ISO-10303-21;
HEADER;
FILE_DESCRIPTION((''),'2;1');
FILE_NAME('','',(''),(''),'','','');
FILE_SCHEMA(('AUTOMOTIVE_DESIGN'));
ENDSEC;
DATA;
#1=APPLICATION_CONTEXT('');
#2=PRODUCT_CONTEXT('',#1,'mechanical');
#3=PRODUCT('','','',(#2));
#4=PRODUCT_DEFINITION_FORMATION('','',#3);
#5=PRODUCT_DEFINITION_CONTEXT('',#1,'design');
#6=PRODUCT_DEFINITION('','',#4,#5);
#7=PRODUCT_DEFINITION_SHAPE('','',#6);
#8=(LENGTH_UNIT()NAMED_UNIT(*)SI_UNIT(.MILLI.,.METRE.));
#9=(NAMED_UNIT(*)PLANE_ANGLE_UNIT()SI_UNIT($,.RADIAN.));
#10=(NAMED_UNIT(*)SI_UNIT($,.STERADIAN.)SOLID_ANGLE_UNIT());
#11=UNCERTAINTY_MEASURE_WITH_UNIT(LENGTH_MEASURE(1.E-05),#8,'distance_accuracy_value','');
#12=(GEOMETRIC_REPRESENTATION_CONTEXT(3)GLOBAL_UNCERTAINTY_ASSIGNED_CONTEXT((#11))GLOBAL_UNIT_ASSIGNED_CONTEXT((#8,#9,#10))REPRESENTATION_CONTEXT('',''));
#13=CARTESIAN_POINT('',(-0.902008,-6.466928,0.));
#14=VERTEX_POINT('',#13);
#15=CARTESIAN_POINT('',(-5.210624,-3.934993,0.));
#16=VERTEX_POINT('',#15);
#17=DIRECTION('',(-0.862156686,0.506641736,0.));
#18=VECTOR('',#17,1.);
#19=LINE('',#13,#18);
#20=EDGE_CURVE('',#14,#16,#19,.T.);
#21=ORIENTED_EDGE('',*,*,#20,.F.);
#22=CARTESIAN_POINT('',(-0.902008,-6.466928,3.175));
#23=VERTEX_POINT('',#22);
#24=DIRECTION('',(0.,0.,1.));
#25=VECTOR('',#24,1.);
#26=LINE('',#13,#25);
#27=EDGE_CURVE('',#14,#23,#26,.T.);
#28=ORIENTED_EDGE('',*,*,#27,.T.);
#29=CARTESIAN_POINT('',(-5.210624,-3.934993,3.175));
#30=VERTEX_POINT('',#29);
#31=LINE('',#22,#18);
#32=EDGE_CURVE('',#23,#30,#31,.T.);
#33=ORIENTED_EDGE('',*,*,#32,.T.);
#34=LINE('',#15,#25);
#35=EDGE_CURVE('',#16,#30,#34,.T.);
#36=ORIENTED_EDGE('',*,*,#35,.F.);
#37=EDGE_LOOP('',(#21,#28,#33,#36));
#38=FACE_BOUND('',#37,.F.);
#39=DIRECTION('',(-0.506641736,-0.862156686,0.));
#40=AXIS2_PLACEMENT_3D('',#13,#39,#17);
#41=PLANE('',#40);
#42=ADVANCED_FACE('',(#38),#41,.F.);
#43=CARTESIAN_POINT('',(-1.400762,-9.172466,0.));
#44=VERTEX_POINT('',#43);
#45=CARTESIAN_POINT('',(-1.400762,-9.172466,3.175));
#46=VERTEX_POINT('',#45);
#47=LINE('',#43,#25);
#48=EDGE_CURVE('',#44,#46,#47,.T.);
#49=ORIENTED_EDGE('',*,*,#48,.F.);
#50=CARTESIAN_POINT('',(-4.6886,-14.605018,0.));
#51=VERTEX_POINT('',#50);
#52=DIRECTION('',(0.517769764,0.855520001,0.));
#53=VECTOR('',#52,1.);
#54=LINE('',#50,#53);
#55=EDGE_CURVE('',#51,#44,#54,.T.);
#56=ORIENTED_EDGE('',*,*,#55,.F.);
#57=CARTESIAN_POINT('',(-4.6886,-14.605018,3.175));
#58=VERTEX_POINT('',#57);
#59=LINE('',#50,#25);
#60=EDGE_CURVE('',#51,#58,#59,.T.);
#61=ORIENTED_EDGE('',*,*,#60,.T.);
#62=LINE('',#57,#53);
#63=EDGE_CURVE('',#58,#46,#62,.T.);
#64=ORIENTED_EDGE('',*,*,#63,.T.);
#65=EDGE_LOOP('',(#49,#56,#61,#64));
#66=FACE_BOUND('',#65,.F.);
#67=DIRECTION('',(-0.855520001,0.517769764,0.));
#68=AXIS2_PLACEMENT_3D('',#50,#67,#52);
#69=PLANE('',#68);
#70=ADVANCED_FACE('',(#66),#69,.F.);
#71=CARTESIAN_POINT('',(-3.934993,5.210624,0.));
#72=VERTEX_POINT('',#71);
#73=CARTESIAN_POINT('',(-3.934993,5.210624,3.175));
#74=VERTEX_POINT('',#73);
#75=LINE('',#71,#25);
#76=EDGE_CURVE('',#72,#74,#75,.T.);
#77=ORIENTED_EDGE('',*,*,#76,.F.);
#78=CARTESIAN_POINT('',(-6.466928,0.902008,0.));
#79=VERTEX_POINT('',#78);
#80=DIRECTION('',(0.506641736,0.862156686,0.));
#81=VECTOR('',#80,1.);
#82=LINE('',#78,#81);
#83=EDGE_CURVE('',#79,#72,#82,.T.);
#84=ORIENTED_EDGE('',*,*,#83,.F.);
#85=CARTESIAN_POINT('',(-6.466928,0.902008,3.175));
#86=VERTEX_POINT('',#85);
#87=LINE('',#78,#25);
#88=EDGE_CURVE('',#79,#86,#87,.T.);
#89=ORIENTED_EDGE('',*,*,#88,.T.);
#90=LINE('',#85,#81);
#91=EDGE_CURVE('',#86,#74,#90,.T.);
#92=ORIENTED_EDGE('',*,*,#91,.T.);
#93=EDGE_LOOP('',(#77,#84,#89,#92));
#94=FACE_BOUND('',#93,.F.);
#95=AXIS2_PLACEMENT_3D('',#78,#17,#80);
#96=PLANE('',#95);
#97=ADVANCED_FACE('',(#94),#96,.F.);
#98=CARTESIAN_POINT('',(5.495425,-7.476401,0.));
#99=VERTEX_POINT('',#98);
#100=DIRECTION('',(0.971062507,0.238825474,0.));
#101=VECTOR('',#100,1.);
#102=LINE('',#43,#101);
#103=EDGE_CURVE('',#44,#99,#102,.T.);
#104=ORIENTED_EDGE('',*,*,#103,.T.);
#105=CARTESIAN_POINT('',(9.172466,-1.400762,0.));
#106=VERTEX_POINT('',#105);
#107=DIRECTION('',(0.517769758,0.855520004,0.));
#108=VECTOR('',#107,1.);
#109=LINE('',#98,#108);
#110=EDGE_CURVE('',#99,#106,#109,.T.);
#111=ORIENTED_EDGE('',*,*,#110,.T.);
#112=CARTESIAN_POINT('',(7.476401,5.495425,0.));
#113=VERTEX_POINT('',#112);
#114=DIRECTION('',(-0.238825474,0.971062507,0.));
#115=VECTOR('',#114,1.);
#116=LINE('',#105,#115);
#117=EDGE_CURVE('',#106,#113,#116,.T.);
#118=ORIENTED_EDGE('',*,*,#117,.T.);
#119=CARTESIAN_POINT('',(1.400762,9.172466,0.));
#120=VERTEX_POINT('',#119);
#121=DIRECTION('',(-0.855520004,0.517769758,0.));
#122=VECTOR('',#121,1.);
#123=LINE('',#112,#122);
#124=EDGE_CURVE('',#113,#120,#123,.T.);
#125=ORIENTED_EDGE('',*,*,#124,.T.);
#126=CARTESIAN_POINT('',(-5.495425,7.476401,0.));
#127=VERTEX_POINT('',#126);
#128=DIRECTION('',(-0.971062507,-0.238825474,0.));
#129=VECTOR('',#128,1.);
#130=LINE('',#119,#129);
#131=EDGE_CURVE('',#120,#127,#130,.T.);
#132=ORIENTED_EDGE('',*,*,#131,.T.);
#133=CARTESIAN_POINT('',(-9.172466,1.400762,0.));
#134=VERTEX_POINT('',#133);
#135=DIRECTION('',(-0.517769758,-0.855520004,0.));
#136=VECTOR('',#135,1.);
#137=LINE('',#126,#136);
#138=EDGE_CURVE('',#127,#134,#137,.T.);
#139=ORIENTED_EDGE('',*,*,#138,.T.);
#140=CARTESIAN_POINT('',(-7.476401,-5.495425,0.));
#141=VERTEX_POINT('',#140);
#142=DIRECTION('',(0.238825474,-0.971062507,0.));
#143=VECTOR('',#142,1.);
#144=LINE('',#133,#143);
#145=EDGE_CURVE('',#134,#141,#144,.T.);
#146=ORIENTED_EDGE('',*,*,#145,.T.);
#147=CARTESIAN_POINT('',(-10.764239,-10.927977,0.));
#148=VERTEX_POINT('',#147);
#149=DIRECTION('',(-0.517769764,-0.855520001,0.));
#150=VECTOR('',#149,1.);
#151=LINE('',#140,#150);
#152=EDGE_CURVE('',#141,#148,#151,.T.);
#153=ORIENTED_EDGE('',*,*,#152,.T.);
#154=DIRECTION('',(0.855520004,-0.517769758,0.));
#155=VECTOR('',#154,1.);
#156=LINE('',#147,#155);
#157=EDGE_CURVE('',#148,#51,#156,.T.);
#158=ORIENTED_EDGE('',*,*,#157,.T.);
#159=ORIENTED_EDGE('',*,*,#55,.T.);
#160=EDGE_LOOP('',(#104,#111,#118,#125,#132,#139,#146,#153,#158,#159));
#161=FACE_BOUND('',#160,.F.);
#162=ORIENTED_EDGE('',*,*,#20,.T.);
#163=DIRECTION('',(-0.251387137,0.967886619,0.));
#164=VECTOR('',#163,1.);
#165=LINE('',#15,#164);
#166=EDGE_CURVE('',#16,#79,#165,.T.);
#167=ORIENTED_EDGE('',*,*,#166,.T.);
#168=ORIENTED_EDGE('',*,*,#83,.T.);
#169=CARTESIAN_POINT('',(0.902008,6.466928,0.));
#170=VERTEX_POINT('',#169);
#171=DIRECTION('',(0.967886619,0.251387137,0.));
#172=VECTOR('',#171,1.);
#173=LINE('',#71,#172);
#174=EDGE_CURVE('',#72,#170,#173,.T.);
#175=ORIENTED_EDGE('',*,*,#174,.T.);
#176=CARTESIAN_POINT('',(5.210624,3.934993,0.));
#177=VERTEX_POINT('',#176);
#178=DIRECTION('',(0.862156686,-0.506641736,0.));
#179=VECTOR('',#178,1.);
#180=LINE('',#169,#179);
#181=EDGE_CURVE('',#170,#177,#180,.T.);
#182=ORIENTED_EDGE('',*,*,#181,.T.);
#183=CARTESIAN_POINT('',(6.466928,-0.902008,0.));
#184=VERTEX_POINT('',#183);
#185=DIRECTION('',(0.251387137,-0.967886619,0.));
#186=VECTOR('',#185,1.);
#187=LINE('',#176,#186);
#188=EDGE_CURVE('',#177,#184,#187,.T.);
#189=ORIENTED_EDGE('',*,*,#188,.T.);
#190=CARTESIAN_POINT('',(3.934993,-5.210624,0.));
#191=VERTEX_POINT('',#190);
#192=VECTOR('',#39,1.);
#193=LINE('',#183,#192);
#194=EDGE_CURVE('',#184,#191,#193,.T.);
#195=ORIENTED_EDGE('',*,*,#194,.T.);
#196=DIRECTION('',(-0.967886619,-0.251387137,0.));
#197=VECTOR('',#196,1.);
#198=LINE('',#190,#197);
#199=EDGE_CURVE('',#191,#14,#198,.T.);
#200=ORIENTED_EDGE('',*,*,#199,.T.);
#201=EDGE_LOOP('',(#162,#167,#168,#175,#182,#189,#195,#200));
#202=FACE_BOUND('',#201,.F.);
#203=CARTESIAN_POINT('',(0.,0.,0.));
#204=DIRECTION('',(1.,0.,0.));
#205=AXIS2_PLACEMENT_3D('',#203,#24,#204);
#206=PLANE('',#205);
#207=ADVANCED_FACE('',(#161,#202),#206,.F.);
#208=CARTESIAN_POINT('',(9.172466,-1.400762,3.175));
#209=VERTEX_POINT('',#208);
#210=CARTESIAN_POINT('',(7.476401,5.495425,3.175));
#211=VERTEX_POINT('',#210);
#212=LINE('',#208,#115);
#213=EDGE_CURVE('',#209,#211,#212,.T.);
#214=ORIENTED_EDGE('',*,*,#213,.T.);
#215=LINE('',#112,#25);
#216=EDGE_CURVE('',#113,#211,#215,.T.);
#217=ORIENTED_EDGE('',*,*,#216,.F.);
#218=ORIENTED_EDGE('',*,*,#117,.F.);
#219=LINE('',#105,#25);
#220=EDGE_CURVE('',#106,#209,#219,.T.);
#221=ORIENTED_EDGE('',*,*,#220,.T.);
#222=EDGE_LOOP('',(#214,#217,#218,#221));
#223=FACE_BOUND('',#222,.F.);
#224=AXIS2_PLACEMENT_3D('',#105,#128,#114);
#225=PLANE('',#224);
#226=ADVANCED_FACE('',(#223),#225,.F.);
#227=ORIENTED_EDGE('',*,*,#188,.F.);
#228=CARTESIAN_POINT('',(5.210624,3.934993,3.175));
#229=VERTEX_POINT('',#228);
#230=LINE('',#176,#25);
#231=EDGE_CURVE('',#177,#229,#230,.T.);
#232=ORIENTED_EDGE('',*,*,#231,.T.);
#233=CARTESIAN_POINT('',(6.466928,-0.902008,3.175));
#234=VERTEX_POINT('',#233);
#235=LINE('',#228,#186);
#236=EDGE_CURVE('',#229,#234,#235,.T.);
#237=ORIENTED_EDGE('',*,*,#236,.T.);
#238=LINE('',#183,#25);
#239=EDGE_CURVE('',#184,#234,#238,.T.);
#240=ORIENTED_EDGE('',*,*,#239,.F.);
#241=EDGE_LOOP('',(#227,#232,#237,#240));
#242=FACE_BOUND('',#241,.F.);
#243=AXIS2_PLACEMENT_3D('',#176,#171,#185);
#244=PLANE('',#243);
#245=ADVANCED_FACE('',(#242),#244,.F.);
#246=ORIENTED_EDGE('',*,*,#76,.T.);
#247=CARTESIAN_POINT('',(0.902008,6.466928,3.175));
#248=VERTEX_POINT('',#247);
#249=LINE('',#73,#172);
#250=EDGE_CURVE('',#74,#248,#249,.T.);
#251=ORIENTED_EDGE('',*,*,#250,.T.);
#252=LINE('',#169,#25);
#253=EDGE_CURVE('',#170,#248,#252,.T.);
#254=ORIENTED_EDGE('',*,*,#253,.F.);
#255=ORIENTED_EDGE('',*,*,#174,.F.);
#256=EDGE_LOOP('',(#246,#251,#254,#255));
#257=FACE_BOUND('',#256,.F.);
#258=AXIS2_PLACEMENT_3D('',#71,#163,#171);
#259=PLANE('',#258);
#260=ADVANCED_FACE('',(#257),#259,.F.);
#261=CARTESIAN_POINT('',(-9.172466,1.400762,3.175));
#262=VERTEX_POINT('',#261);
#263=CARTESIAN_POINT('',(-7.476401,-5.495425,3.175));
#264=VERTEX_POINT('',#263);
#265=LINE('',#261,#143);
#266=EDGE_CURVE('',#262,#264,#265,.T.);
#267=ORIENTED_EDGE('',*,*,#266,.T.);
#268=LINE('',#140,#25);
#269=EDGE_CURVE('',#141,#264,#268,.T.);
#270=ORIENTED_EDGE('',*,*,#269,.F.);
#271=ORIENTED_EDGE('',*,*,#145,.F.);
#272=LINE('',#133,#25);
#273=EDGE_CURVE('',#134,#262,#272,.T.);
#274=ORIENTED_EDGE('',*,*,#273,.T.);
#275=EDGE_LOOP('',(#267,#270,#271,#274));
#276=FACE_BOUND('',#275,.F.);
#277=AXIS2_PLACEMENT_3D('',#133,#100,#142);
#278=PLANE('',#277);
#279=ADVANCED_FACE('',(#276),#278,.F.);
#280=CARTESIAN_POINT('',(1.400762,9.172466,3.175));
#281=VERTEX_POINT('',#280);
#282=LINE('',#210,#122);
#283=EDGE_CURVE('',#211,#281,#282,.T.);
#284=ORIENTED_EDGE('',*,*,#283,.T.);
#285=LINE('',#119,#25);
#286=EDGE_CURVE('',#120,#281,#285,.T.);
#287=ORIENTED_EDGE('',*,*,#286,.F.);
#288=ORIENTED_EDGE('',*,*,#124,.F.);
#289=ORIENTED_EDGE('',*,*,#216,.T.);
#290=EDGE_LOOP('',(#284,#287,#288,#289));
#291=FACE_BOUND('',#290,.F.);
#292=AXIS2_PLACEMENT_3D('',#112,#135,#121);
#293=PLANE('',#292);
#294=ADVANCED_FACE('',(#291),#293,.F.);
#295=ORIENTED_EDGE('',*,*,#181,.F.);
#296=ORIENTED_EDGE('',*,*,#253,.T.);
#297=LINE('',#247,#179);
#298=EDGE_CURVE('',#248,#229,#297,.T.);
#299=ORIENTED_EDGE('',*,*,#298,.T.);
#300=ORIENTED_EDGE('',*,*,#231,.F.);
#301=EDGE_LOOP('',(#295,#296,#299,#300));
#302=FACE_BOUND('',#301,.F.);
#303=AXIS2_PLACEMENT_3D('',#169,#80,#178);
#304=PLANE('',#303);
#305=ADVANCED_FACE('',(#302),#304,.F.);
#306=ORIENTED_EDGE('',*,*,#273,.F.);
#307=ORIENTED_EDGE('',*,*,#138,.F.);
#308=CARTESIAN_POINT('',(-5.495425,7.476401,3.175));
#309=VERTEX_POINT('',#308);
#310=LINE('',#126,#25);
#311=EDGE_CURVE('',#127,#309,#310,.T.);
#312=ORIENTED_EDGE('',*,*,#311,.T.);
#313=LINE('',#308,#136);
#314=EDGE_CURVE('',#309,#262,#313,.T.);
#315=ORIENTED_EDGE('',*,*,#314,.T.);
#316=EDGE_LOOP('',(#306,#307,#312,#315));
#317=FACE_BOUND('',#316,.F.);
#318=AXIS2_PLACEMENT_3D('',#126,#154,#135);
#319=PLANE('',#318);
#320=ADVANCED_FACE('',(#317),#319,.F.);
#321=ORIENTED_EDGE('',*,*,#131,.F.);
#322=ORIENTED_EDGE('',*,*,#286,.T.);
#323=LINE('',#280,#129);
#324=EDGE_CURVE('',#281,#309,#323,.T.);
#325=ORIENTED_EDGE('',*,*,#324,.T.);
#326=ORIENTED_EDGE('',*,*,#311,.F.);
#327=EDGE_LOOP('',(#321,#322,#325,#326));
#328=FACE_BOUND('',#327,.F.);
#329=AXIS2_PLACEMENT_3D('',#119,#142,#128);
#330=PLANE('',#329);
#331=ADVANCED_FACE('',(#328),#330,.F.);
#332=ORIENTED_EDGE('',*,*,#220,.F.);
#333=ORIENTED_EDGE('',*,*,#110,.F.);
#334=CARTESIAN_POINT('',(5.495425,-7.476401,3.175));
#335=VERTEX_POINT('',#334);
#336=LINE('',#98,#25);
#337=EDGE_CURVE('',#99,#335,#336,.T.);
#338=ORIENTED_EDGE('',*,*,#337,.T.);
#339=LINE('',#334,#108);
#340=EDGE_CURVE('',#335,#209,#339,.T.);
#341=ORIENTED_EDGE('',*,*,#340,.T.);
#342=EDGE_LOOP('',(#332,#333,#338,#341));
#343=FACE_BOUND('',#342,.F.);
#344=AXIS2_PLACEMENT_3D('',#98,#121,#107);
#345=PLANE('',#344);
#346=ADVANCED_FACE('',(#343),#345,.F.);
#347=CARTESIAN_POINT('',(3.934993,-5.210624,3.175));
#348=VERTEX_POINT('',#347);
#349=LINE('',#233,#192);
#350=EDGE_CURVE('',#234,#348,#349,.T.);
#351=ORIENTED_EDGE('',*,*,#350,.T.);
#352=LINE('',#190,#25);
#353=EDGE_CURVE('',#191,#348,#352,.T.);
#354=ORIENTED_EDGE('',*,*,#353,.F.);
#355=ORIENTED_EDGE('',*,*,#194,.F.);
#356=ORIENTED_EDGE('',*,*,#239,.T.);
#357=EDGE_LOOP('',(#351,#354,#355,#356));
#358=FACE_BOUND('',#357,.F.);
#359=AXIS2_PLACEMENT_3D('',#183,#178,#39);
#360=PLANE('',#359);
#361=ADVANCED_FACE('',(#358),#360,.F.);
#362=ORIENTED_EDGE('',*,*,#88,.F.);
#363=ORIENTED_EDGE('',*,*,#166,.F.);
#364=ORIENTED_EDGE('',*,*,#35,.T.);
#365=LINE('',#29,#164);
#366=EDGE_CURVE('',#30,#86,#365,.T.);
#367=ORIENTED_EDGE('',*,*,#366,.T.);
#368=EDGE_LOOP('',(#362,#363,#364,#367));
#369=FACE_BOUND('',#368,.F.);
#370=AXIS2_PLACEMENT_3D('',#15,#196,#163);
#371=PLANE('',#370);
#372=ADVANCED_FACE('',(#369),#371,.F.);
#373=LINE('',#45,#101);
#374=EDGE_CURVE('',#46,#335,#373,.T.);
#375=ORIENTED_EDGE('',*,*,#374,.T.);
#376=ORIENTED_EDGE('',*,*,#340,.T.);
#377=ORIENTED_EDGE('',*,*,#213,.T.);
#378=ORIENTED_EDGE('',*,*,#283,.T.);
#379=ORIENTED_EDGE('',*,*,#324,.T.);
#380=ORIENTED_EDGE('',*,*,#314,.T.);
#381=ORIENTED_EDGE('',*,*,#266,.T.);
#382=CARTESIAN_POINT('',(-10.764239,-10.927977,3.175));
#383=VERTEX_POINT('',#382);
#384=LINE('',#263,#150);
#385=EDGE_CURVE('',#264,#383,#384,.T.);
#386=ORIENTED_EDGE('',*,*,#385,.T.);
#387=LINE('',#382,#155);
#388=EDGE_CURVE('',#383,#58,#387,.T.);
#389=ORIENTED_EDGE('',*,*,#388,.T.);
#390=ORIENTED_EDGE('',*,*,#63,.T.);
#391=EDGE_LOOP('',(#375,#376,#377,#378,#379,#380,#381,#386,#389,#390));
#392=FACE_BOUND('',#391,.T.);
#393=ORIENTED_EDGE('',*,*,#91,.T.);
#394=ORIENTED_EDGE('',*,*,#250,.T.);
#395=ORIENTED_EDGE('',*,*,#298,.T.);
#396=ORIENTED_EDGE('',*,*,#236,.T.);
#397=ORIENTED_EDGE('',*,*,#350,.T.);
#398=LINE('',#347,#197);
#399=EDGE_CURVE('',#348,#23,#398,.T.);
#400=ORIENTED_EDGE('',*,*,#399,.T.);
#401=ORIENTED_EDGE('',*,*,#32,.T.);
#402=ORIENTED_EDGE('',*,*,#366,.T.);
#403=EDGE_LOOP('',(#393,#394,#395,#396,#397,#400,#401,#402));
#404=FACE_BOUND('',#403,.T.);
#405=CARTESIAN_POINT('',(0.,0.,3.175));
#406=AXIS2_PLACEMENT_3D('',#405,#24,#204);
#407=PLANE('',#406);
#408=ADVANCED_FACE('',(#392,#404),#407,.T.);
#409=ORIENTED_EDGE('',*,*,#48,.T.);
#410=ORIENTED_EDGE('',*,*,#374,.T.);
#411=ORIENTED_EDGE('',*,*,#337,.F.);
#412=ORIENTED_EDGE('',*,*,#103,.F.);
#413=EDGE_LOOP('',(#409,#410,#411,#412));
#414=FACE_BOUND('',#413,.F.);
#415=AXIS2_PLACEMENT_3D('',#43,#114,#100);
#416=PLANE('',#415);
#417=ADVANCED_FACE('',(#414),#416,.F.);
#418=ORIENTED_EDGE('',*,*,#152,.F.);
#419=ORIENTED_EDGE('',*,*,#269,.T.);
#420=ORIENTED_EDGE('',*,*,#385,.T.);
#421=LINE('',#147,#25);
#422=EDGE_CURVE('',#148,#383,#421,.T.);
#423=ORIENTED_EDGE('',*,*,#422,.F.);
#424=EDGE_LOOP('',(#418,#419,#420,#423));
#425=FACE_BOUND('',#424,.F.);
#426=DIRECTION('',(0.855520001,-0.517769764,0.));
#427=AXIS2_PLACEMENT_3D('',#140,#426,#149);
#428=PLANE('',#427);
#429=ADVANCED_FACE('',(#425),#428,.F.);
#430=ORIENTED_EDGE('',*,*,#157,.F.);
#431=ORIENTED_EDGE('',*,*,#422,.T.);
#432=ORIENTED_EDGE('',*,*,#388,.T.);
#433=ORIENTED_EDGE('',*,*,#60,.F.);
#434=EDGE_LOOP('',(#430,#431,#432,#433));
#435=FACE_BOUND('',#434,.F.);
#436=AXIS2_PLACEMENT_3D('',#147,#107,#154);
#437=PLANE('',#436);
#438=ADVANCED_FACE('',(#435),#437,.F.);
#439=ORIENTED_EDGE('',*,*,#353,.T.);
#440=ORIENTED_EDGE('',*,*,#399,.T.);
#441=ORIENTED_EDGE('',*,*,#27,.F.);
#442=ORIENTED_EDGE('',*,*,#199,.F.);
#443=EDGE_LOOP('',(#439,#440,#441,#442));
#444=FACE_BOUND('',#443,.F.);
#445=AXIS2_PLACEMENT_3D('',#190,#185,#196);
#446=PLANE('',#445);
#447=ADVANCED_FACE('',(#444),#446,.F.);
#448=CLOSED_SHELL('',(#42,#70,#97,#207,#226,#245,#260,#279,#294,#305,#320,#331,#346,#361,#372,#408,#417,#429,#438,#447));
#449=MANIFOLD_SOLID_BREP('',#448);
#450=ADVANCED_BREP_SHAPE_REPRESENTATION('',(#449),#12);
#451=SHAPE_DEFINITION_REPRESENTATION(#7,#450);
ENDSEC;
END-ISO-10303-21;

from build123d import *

# Parameters (mm, degrees)
F1_DEPTH = 3.175


with BuildPart() as f1:
    # F0 (on Top) → F1 (new body)
    with BuildSketch(Plane.XY):
        Polygon((1.400762, 9.172466), (-5.495425, 7.476401), (-9.172466, 1.400762), (-7.476401, -5.495425), (-1.400762, -9.172466), (5.495425, -7.476401), (9.172466, -1.400762), (7.476401, 5.495425), align=None)
        Polygon((-5.210624, -3.934993), (-6.466928, 0.902008), (-3.934993, 5.210624), (0.902008, 6.466928), (5.210624, 3.934993), (6.466928, -0.902008), (3.934993, -5.210624), (-0.902008, -6.466928), align=None, mode=Mode.SUBTRACT)
        Polygon((-1.400762, -9.172466), (-7.476401, -5.495425), (-10.764239, -10.927977), (-4.6886, -14.605018), align=None)
    extrude(amount=F1_DEPTH)


solid = f1.part
